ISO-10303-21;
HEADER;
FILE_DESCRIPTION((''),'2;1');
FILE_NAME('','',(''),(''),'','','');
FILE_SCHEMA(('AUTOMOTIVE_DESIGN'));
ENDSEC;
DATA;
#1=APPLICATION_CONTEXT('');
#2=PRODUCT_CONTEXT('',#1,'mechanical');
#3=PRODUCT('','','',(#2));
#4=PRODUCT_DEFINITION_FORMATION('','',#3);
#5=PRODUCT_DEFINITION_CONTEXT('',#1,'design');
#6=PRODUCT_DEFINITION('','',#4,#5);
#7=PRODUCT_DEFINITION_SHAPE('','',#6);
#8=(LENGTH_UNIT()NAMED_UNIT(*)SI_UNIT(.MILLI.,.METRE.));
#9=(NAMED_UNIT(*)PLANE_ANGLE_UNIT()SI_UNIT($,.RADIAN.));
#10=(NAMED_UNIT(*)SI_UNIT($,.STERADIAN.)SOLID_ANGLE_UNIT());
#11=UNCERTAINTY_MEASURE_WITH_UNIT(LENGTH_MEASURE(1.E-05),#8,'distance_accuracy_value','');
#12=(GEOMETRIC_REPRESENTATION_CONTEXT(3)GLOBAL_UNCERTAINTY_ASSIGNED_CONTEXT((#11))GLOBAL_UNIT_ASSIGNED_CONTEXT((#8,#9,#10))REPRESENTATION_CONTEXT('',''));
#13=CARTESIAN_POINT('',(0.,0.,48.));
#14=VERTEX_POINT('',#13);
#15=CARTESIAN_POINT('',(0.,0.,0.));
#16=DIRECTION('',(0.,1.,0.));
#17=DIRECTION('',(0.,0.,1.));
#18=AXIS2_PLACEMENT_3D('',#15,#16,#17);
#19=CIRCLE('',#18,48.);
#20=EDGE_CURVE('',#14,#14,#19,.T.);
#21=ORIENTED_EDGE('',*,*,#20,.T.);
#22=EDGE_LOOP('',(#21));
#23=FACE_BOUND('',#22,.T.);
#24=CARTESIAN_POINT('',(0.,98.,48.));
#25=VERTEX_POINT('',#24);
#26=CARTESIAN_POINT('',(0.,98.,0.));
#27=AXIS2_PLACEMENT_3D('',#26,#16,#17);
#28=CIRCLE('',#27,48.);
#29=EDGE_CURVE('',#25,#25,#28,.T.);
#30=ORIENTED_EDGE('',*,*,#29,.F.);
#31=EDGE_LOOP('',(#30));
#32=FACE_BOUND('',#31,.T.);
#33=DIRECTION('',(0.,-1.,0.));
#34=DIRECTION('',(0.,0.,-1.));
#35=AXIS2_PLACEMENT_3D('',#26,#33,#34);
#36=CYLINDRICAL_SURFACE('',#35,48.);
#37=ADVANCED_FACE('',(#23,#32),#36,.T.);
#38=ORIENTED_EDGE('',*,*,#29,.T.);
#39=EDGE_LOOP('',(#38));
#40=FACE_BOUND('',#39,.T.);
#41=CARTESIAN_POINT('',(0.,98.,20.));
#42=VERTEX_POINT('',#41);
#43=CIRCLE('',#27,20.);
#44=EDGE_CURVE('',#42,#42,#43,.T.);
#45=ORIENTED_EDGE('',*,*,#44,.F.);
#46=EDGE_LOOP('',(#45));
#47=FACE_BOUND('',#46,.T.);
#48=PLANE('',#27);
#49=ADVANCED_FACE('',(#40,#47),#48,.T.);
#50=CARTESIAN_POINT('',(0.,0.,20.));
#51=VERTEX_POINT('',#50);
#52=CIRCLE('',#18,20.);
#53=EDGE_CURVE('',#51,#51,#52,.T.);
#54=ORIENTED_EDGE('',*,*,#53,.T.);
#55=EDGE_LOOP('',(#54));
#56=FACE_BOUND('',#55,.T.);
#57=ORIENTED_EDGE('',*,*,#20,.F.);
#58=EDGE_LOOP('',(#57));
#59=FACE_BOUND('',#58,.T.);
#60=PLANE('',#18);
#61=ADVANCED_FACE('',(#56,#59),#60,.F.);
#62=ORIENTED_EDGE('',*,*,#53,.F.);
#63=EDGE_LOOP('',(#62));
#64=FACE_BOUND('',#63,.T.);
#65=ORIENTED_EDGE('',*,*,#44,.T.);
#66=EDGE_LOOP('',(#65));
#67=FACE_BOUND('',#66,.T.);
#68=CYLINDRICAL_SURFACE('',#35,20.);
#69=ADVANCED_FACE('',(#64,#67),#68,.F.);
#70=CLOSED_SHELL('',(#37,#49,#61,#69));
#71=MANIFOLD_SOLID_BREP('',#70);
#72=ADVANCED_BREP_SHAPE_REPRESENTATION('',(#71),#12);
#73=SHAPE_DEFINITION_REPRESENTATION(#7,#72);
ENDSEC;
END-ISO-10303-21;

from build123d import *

# Parameters (mm, degrees)
SKETCH1_R           = 48
SKETCH1_R_2         = 20
BOSS_EXTRUDE1_DEPTH = 98


with BuildPart() as part:
    # Sketch1 → Boss-Extrude1 (new body)
    with BuildSketch(Plane(origin=(0, 0, 0), x_dir=(1, 0, 0), z_dir=(0, 1, 0))):
        Circle(SKETCH1_R)
        Circle(SKETCH1_R_2, mode=Mode.SUBTRACT)
    extrude(amount=BOSS_EXTRUDE1_DEPTH)


solid = part.part
